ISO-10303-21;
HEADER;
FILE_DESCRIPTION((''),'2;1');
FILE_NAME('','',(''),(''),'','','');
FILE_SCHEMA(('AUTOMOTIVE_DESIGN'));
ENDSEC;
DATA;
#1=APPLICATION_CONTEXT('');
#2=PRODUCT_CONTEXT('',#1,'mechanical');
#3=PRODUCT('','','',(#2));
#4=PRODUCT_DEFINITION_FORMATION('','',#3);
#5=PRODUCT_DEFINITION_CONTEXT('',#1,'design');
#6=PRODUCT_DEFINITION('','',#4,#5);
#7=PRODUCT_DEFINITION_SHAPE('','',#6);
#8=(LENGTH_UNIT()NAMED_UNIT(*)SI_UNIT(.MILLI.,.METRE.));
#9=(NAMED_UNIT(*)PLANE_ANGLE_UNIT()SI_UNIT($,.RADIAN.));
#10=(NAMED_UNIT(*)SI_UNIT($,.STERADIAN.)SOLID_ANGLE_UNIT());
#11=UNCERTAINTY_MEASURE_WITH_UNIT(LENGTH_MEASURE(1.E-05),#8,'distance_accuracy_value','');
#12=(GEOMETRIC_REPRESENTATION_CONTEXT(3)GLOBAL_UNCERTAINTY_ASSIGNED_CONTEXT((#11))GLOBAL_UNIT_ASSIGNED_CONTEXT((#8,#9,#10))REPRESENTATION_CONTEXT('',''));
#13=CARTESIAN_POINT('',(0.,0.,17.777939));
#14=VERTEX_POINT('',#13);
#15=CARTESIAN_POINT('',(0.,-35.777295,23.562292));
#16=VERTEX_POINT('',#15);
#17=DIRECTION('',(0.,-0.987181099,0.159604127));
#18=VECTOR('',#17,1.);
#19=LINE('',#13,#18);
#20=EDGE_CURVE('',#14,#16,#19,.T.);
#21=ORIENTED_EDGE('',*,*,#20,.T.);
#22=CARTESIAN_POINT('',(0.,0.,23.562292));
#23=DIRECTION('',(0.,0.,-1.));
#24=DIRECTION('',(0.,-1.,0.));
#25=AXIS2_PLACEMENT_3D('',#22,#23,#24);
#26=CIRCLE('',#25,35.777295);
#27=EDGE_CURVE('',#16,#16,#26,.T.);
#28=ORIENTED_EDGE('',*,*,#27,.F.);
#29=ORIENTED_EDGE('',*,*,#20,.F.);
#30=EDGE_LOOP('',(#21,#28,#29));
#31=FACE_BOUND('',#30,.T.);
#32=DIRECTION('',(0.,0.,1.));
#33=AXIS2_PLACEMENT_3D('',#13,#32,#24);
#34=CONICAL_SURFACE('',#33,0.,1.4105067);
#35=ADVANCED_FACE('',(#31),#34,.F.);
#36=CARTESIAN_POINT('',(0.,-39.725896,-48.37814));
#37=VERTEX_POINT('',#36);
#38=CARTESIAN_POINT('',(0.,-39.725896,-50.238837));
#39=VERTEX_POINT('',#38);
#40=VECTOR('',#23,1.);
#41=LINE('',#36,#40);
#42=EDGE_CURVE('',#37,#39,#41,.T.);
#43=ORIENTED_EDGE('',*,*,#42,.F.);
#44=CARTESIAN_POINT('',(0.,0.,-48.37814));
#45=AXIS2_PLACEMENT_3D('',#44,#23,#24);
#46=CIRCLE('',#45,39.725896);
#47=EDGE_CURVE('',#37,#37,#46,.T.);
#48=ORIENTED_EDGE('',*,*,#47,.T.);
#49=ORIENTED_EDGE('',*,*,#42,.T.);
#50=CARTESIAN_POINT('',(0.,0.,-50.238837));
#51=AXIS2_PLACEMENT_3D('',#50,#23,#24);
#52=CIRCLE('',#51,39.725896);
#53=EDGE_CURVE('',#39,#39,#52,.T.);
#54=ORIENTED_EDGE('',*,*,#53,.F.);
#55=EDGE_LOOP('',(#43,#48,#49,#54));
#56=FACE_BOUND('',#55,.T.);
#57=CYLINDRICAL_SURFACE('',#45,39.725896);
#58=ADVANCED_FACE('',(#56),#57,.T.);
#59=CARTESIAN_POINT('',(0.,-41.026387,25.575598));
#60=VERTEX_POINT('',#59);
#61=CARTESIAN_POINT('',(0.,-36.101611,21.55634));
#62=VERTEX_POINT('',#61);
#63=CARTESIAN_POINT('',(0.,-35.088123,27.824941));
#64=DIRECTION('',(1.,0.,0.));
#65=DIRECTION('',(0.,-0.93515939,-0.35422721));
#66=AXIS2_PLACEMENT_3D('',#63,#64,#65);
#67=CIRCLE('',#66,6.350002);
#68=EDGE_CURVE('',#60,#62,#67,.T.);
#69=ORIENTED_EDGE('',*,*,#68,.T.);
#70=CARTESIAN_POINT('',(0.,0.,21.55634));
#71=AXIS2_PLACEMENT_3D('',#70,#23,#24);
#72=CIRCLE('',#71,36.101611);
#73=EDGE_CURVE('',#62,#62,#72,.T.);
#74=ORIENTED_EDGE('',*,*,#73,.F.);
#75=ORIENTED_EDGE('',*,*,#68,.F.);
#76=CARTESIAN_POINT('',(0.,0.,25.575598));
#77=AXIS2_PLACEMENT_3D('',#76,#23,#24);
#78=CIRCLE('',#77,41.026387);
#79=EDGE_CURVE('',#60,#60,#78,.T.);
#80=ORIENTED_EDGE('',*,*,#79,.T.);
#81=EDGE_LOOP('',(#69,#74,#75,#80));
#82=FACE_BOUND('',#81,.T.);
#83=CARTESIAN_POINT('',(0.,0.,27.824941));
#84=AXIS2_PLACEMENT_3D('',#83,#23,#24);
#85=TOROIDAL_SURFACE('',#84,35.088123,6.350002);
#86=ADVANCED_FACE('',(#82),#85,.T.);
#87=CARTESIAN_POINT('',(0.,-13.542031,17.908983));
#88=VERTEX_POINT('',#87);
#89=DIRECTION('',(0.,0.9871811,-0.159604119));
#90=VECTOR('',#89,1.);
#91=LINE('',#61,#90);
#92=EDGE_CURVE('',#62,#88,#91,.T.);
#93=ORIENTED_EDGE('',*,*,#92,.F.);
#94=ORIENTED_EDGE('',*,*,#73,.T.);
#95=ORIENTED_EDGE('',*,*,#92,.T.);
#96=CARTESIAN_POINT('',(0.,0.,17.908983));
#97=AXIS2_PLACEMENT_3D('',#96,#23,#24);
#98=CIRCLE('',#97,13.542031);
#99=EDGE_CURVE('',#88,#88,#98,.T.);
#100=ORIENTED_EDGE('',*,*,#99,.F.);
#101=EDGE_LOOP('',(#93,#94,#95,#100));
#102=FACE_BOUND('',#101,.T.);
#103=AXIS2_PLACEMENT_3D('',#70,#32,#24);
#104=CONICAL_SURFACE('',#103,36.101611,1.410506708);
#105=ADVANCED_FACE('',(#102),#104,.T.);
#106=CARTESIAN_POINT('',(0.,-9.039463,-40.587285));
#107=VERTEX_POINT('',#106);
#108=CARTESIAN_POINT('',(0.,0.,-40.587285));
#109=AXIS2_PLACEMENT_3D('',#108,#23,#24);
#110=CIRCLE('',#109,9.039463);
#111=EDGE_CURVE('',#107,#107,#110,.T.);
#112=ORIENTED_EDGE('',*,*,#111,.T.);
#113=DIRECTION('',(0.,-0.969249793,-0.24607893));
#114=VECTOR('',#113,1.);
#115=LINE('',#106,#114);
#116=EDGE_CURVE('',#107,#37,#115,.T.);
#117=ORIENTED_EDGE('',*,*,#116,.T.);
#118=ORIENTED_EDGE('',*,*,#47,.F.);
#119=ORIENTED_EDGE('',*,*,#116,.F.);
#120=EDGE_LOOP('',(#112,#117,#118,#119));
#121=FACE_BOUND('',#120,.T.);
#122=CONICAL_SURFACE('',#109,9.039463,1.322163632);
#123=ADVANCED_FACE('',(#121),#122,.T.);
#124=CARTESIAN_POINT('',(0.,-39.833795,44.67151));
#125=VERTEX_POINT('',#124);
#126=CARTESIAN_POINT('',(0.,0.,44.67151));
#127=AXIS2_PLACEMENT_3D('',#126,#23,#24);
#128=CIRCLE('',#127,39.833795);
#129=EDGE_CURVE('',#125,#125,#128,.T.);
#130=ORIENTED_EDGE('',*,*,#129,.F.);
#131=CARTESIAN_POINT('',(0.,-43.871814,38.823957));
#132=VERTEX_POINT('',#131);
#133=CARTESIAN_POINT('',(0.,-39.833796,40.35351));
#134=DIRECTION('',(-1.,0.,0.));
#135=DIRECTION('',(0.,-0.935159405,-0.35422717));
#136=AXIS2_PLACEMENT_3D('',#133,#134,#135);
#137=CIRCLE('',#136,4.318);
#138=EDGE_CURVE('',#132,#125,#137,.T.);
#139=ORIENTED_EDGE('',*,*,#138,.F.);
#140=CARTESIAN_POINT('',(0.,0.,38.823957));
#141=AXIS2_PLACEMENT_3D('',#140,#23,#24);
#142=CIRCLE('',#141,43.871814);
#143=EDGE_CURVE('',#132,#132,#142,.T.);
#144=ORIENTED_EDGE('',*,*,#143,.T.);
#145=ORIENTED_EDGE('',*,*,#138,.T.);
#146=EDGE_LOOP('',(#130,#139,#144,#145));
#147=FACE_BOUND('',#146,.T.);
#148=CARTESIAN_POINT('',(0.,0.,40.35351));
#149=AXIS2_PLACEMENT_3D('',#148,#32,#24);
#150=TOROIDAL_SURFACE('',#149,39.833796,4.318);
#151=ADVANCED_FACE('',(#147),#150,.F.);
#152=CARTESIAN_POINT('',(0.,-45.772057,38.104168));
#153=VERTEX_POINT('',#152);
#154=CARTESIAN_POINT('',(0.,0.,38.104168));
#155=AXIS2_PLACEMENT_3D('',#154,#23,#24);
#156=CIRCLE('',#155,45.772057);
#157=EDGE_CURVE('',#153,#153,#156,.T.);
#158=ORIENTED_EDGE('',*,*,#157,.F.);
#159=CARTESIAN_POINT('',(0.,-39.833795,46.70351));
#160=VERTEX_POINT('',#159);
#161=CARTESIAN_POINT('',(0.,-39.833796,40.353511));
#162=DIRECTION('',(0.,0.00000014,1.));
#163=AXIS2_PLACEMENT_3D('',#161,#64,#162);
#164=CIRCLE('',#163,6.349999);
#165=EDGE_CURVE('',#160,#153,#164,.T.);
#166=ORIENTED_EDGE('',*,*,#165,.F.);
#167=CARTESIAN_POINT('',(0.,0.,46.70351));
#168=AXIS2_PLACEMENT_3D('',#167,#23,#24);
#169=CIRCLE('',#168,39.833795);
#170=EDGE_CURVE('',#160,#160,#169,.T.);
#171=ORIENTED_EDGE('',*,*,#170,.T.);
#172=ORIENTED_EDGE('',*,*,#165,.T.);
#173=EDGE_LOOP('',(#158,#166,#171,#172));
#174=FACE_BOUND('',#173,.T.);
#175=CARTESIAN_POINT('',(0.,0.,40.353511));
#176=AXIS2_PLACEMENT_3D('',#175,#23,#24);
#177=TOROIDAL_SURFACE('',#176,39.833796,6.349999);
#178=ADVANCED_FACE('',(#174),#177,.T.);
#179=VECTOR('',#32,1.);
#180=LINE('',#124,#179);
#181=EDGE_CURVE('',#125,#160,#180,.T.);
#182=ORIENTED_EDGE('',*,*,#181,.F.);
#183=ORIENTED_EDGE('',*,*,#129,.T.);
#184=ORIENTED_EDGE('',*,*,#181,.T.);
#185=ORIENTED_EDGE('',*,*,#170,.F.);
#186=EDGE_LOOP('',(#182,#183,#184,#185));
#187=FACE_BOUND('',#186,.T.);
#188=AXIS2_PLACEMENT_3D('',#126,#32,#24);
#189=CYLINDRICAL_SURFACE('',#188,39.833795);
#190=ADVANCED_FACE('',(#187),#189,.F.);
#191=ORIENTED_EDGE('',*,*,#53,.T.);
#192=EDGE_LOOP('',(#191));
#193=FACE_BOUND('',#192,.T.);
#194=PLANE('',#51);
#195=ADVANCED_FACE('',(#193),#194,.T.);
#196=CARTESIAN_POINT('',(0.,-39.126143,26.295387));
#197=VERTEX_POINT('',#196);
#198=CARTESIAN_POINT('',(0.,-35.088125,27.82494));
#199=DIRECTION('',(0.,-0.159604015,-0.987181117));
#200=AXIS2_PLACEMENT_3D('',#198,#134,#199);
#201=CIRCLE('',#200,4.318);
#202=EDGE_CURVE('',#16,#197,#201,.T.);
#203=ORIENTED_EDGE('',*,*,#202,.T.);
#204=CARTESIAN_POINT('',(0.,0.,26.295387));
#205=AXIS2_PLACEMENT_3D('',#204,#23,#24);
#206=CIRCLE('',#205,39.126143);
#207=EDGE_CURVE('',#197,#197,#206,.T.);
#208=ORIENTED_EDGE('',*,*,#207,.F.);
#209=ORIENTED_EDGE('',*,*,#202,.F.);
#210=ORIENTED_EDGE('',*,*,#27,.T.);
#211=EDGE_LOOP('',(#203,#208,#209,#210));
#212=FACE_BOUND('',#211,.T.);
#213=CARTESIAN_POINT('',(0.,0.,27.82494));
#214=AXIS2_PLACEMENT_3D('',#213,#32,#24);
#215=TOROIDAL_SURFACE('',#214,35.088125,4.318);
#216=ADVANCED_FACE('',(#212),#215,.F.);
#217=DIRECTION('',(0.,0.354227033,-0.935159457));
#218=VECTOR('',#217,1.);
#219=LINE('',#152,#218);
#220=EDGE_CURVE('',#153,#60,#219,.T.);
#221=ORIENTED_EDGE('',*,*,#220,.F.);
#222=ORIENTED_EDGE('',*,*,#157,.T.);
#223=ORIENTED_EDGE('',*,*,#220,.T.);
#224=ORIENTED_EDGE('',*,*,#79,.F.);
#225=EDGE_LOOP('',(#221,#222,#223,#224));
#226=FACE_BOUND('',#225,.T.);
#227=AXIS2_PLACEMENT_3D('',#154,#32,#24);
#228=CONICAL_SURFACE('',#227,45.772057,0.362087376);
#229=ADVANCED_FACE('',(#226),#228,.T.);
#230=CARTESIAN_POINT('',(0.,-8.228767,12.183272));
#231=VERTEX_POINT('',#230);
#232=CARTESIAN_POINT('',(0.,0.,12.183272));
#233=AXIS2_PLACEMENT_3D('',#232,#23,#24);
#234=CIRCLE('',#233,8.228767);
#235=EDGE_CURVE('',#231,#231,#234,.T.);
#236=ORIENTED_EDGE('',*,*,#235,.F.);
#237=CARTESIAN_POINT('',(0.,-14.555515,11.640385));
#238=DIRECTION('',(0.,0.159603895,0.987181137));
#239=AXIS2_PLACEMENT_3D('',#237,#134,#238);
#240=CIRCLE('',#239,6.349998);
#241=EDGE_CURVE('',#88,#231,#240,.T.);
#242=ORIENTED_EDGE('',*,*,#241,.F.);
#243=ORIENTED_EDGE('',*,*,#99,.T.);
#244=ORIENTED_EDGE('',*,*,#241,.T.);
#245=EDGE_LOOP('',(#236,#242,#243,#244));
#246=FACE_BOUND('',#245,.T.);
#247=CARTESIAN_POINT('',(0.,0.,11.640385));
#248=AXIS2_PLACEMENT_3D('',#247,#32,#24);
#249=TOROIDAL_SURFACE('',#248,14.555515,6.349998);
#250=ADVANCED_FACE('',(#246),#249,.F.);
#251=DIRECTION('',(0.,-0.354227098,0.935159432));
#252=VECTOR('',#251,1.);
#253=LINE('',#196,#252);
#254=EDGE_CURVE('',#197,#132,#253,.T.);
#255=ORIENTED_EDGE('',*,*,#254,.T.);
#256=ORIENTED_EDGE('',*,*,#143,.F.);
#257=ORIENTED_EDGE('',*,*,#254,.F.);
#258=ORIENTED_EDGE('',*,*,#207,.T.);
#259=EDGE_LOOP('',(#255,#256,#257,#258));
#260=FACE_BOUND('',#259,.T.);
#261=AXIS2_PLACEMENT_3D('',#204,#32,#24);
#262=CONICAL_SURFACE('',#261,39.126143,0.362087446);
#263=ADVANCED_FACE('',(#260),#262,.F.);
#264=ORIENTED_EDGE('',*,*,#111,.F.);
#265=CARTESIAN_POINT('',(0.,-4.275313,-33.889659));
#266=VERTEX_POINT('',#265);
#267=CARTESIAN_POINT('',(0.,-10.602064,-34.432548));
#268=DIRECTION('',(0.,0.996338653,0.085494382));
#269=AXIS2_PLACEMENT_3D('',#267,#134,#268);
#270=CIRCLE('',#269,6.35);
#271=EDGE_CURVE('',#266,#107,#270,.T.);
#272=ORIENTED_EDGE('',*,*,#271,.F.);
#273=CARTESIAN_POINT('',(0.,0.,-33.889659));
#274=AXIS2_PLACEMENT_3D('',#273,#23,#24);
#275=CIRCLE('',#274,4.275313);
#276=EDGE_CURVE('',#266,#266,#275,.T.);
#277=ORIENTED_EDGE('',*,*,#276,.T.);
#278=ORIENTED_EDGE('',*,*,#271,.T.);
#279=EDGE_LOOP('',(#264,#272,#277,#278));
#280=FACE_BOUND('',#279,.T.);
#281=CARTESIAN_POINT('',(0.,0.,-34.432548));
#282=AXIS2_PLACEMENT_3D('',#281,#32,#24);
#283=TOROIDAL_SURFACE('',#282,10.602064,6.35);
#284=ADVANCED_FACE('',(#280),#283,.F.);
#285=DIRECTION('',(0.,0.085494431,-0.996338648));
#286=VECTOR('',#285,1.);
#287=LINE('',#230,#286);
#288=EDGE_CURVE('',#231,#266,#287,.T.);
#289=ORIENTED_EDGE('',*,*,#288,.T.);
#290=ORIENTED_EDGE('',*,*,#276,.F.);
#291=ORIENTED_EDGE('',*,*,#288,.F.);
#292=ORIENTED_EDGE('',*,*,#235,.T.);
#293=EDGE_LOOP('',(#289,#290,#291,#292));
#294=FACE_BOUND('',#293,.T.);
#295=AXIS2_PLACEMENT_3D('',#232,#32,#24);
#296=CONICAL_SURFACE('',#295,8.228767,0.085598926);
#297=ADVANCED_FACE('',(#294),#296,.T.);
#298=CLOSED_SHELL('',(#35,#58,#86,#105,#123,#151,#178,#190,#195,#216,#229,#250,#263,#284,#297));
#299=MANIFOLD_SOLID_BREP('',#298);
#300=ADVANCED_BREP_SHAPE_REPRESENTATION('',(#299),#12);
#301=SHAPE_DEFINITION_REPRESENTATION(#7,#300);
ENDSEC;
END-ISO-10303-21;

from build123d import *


with BuildPart() as f1:
    # F0 (on Right) → F1 (revolve)
    with BuildSketch(Plane.YZ):
        with BuildLine():
            Line((-39.725896, -50.238837), (0, -50.238837))
            Line((0, -50.238837), (0, 17.777939))
            Line((0, 17.777939), (-35.777295, 23.562292))
            ThreePointArc((-35.777295, 23.562292), (-37.818332, 24.479631), (-39.126143, 26.295387))
            Line((-39.126143, 26.295387), (-43.871814, 38.823957))
            ThreePointArc((-43.871814, 38.823957), (-43.386944, 42.807132), (-39.833795, 44.67151))
            Line((-39.833795, 44.67151), (-39.833795, 46.70351))
            ThreePointArc((-39.833795, 46.70351), (-45.059014, 43.961777), (-45.772057, 38.104168))
            Line((-45.772057, 38.104168), (-41.026387, 25.575598))
            ThreePointArc((-41.026387, 25.575598), (-39.103135, 22.905368), (-36.101611, 21.55634))
            Line((-36.101611, 21.55634), (-13.542031, 17.908983))
            ThreePointArc((-13.542031, 17.908983), (-9.900873, 15.959734), (-8.228767, 12.183272))
            Line((-8.228767, 12.183272), (-4.275313, -33.889659))
            ThreePointArc((-4.275313, -33.889659), (-5.427606, -38.11324), (-9.039463, -40.587285))
            Line((-9.039463, -40.587285), (-39.725896, -48.37814))
            Line((-39.725896, -48.37814), (-39.725896, -50.238837))
        make_face()
    revolve(axis=Axis((0, 0, -1.767663), (0, 0, -1)))


solid = f1.part
